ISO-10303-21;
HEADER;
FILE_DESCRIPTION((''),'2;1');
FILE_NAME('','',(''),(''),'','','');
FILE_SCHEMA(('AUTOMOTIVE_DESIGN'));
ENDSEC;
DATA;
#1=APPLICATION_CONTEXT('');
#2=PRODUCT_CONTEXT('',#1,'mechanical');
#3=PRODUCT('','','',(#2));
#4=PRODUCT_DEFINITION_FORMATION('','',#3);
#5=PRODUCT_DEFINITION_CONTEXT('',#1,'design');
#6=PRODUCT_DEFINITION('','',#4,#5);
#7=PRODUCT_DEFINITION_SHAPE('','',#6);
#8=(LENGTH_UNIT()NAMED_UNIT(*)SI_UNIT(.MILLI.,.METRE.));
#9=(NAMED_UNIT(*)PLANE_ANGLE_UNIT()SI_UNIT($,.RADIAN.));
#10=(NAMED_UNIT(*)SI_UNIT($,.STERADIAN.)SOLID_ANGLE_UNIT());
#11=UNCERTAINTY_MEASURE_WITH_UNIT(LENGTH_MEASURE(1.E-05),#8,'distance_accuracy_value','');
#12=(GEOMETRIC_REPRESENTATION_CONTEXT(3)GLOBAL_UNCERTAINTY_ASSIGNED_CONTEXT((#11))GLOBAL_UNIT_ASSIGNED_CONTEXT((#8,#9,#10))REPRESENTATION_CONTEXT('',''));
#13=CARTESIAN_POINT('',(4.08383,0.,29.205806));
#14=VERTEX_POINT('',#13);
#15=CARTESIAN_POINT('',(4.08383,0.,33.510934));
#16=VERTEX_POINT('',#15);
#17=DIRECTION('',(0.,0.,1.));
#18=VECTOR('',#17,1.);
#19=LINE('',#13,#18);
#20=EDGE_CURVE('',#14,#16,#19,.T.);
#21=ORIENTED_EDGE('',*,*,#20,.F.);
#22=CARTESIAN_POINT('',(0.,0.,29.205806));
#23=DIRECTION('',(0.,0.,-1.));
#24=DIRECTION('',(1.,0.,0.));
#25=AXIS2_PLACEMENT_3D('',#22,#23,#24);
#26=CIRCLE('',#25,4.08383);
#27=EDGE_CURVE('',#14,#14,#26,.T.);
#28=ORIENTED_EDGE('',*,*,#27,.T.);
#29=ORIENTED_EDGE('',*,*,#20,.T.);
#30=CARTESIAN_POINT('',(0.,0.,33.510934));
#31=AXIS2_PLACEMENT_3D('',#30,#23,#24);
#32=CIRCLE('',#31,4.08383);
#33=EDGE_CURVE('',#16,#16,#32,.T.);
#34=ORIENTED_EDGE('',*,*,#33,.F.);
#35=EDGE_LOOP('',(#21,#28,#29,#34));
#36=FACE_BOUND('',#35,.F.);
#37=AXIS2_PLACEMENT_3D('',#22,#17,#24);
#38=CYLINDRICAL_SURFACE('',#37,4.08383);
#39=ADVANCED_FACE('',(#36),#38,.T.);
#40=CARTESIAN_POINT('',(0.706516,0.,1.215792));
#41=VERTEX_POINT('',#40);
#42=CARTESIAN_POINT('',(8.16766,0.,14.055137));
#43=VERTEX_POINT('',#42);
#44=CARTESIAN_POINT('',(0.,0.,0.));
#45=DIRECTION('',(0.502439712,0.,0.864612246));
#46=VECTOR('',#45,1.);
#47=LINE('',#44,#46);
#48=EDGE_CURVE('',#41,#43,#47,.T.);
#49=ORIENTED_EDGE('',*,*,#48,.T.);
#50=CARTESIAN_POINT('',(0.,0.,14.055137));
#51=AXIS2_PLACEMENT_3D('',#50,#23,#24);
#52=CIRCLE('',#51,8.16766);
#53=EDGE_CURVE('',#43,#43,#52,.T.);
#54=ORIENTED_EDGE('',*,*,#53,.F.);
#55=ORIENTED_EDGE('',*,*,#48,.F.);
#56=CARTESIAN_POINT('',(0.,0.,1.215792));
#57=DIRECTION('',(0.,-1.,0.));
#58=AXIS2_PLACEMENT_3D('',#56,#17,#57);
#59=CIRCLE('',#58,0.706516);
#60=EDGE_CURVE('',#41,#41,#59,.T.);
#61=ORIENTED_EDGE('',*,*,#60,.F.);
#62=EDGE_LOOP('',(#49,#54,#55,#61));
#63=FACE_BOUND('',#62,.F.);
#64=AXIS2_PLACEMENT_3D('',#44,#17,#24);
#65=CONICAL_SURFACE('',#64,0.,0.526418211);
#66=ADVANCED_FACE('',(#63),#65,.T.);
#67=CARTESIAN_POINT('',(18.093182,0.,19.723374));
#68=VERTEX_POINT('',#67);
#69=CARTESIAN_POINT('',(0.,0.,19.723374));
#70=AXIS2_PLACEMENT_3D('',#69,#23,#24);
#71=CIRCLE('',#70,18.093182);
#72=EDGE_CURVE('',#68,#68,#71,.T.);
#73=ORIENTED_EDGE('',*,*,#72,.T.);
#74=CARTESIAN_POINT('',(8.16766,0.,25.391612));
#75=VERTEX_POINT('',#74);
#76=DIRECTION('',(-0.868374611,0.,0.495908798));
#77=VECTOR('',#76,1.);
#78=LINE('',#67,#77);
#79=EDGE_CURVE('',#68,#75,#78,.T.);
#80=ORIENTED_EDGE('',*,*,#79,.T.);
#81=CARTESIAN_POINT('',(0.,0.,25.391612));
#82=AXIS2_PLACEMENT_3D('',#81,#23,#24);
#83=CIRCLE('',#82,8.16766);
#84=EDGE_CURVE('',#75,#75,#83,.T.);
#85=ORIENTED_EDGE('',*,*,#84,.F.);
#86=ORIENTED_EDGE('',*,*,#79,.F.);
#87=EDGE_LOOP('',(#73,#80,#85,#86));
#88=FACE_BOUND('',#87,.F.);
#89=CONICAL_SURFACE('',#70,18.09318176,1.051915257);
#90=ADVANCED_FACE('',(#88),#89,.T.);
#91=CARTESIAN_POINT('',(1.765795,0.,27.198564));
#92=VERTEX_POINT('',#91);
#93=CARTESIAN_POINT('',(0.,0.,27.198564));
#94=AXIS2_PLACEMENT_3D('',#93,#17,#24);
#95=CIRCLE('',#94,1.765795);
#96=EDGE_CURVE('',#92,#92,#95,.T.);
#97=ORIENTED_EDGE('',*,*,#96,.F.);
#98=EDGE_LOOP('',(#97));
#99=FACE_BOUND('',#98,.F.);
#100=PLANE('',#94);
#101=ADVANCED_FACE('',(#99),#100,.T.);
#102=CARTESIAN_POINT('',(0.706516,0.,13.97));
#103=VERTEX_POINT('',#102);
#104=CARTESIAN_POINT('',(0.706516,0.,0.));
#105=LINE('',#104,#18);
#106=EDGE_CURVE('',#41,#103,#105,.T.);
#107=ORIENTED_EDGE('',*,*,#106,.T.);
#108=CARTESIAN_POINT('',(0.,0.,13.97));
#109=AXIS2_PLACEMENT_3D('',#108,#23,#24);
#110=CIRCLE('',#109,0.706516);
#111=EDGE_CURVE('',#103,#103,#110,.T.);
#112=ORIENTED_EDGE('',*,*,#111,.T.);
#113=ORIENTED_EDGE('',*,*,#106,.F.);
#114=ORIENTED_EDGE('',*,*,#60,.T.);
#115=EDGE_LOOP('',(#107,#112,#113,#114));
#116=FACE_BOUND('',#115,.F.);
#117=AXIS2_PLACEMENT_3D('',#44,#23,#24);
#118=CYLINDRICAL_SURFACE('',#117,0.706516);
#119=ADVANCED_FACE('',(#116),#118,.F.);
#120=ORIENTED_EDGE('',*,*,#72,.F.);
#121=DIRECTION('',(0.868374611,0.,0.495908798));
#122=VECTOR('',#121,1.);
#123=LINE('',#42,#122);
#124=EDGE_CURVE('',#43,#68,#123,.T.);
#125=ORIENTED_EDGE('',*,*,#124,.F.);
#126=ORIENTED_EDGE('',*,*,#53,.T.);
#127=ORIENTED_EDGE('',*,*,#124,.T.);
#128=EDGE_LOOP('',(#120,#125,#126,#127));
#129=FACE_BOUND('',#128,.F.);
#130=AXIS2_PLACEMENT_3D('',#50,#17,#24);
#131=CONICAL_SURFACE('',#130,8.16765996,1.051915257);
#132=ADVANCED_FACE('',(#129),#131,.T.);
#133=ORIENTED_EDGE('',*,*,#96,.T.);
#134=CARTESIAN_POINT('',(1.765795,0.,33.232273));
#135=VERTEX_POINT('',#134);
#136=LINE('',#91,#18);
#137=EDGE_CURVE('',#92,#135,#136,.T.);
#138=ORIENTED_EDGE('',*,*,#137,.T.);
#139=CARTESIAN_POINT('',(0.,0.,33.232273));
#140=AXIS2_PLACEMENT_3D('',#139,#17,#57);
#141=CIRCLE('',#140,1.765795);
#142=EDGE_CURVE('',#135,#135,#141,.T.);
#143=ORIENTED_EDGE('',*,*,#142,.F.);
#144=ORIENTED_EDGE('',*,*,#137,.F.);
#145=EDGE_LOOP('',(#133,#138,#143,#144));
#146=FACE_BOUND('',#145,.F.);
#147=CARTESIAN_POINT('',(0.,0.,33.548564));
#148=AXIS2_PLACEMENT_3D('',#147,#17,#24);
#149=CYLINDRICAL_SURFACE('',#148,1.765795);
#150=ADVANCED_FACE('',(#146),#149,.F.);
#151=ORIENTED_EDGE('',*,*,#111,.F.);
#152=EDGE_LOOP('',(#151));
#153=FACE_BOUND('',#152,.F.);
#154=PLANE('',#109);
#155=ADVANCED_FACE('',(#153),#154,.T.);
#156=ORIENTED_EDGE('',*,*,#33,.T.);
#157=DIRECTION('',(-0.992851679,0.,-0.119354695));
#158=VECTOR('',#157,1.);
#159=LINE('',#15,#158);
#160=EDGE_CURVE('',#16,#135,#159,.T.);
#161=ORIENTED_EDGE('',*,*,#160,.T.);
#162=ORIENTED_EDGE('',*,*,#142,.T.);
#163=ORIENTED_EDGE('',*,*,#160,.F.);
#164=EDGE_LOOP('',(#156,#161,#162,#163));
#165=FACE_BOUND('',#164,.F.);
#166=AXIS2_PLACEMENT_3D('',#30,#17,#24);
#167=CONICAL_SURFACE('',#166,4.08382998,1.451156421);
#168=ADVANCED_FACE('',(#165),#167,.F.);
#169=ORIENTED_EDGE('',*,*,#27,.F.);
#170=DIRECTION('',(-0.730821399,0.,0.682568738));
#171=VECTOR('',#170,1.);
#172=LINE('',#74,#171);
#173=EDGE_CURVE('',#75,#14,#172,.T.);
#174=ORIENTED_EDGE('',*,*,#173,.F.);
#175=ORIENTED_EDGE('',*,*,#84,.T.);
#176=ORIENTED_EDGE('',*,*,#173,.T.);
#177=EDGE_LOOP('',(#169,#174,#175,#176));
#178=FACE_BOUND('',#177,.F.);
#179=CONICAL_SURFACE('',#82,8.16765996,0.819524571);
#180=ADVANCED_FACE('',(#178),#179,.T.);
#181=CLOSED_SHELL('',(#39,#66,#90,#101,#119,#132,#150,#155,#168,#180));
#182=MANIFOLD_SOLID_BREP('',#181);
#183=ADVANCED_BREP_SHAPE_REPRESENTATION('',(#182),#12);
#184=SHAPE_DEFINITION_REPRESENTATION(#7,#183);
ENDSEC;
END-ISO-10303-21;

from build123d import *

# Parameters (mm, degrees)
F2_W     = 1.7657947028
F2_H     = 4.3581165373
F4_DEPTH = 6.35
F5_W     = 0.7065157406
F5_H     = 3.5888564307
F7_DEPTH = 13.97


with BuildPart() as f1:
    # F0 (on Front) → F1 (revolve)
    with BuildSketch(Plane.XZ):
        Polygon((0, 33.02), (0, 0), (8.1676599603, 14.0551366686), (18.0931817596, 19.7233742263), (8.1676599603, 25.391611784), (4.0838299801, 29.205805892), align=None)
        Polygon((4.0838299801, 33.5109336315), (0, 33.02), (4.0838299801, 29.205805892), align=None)
    revolve(axis=Axis((0, 0, 16.51), (0, 0, -1)))

    # F2 (on Front) → F3 (revolve)
    with BuildSketch(Plane.XZ):
        with Locations((0.8828973514, 31.3695054501)):
            Rectangle(F2_W, F2_H)
    revolve(axis=Axis((0, 0, 31.3695054501), (0, 0, 1)))

    # F4 (cut, symmetric): a face of the model
    f4_faces = [f1.faces().sort_by_distance(p)[0] for p in [
        (0, 0, 33.5485637188),
    ]]
    extrude(f4_faces, amount=F4_DEPTH, both=True, mode=Mode.SUBTRACT)

    # F5 (on Front) → F6 (revolve)
    with BuildSketch(Plane.XZ):
        with Locations((0.3532578703, 1.7944282154)):
            Rectangle(F5_W, F5_H)
    revolve(axis=Axis((0, 0, 1.7944282154), (0, 0, -1)))

    # F7 (cut): a face of the model
    f7_faces = [f1.faces().sort_by_distance(p)[0] for p in [
        (0, 0, 0),
    ]]
    extrude(f7_faces, amount=-F7_DEPTH, mode=Mode.SUBTRACT)


solid = f1.part
